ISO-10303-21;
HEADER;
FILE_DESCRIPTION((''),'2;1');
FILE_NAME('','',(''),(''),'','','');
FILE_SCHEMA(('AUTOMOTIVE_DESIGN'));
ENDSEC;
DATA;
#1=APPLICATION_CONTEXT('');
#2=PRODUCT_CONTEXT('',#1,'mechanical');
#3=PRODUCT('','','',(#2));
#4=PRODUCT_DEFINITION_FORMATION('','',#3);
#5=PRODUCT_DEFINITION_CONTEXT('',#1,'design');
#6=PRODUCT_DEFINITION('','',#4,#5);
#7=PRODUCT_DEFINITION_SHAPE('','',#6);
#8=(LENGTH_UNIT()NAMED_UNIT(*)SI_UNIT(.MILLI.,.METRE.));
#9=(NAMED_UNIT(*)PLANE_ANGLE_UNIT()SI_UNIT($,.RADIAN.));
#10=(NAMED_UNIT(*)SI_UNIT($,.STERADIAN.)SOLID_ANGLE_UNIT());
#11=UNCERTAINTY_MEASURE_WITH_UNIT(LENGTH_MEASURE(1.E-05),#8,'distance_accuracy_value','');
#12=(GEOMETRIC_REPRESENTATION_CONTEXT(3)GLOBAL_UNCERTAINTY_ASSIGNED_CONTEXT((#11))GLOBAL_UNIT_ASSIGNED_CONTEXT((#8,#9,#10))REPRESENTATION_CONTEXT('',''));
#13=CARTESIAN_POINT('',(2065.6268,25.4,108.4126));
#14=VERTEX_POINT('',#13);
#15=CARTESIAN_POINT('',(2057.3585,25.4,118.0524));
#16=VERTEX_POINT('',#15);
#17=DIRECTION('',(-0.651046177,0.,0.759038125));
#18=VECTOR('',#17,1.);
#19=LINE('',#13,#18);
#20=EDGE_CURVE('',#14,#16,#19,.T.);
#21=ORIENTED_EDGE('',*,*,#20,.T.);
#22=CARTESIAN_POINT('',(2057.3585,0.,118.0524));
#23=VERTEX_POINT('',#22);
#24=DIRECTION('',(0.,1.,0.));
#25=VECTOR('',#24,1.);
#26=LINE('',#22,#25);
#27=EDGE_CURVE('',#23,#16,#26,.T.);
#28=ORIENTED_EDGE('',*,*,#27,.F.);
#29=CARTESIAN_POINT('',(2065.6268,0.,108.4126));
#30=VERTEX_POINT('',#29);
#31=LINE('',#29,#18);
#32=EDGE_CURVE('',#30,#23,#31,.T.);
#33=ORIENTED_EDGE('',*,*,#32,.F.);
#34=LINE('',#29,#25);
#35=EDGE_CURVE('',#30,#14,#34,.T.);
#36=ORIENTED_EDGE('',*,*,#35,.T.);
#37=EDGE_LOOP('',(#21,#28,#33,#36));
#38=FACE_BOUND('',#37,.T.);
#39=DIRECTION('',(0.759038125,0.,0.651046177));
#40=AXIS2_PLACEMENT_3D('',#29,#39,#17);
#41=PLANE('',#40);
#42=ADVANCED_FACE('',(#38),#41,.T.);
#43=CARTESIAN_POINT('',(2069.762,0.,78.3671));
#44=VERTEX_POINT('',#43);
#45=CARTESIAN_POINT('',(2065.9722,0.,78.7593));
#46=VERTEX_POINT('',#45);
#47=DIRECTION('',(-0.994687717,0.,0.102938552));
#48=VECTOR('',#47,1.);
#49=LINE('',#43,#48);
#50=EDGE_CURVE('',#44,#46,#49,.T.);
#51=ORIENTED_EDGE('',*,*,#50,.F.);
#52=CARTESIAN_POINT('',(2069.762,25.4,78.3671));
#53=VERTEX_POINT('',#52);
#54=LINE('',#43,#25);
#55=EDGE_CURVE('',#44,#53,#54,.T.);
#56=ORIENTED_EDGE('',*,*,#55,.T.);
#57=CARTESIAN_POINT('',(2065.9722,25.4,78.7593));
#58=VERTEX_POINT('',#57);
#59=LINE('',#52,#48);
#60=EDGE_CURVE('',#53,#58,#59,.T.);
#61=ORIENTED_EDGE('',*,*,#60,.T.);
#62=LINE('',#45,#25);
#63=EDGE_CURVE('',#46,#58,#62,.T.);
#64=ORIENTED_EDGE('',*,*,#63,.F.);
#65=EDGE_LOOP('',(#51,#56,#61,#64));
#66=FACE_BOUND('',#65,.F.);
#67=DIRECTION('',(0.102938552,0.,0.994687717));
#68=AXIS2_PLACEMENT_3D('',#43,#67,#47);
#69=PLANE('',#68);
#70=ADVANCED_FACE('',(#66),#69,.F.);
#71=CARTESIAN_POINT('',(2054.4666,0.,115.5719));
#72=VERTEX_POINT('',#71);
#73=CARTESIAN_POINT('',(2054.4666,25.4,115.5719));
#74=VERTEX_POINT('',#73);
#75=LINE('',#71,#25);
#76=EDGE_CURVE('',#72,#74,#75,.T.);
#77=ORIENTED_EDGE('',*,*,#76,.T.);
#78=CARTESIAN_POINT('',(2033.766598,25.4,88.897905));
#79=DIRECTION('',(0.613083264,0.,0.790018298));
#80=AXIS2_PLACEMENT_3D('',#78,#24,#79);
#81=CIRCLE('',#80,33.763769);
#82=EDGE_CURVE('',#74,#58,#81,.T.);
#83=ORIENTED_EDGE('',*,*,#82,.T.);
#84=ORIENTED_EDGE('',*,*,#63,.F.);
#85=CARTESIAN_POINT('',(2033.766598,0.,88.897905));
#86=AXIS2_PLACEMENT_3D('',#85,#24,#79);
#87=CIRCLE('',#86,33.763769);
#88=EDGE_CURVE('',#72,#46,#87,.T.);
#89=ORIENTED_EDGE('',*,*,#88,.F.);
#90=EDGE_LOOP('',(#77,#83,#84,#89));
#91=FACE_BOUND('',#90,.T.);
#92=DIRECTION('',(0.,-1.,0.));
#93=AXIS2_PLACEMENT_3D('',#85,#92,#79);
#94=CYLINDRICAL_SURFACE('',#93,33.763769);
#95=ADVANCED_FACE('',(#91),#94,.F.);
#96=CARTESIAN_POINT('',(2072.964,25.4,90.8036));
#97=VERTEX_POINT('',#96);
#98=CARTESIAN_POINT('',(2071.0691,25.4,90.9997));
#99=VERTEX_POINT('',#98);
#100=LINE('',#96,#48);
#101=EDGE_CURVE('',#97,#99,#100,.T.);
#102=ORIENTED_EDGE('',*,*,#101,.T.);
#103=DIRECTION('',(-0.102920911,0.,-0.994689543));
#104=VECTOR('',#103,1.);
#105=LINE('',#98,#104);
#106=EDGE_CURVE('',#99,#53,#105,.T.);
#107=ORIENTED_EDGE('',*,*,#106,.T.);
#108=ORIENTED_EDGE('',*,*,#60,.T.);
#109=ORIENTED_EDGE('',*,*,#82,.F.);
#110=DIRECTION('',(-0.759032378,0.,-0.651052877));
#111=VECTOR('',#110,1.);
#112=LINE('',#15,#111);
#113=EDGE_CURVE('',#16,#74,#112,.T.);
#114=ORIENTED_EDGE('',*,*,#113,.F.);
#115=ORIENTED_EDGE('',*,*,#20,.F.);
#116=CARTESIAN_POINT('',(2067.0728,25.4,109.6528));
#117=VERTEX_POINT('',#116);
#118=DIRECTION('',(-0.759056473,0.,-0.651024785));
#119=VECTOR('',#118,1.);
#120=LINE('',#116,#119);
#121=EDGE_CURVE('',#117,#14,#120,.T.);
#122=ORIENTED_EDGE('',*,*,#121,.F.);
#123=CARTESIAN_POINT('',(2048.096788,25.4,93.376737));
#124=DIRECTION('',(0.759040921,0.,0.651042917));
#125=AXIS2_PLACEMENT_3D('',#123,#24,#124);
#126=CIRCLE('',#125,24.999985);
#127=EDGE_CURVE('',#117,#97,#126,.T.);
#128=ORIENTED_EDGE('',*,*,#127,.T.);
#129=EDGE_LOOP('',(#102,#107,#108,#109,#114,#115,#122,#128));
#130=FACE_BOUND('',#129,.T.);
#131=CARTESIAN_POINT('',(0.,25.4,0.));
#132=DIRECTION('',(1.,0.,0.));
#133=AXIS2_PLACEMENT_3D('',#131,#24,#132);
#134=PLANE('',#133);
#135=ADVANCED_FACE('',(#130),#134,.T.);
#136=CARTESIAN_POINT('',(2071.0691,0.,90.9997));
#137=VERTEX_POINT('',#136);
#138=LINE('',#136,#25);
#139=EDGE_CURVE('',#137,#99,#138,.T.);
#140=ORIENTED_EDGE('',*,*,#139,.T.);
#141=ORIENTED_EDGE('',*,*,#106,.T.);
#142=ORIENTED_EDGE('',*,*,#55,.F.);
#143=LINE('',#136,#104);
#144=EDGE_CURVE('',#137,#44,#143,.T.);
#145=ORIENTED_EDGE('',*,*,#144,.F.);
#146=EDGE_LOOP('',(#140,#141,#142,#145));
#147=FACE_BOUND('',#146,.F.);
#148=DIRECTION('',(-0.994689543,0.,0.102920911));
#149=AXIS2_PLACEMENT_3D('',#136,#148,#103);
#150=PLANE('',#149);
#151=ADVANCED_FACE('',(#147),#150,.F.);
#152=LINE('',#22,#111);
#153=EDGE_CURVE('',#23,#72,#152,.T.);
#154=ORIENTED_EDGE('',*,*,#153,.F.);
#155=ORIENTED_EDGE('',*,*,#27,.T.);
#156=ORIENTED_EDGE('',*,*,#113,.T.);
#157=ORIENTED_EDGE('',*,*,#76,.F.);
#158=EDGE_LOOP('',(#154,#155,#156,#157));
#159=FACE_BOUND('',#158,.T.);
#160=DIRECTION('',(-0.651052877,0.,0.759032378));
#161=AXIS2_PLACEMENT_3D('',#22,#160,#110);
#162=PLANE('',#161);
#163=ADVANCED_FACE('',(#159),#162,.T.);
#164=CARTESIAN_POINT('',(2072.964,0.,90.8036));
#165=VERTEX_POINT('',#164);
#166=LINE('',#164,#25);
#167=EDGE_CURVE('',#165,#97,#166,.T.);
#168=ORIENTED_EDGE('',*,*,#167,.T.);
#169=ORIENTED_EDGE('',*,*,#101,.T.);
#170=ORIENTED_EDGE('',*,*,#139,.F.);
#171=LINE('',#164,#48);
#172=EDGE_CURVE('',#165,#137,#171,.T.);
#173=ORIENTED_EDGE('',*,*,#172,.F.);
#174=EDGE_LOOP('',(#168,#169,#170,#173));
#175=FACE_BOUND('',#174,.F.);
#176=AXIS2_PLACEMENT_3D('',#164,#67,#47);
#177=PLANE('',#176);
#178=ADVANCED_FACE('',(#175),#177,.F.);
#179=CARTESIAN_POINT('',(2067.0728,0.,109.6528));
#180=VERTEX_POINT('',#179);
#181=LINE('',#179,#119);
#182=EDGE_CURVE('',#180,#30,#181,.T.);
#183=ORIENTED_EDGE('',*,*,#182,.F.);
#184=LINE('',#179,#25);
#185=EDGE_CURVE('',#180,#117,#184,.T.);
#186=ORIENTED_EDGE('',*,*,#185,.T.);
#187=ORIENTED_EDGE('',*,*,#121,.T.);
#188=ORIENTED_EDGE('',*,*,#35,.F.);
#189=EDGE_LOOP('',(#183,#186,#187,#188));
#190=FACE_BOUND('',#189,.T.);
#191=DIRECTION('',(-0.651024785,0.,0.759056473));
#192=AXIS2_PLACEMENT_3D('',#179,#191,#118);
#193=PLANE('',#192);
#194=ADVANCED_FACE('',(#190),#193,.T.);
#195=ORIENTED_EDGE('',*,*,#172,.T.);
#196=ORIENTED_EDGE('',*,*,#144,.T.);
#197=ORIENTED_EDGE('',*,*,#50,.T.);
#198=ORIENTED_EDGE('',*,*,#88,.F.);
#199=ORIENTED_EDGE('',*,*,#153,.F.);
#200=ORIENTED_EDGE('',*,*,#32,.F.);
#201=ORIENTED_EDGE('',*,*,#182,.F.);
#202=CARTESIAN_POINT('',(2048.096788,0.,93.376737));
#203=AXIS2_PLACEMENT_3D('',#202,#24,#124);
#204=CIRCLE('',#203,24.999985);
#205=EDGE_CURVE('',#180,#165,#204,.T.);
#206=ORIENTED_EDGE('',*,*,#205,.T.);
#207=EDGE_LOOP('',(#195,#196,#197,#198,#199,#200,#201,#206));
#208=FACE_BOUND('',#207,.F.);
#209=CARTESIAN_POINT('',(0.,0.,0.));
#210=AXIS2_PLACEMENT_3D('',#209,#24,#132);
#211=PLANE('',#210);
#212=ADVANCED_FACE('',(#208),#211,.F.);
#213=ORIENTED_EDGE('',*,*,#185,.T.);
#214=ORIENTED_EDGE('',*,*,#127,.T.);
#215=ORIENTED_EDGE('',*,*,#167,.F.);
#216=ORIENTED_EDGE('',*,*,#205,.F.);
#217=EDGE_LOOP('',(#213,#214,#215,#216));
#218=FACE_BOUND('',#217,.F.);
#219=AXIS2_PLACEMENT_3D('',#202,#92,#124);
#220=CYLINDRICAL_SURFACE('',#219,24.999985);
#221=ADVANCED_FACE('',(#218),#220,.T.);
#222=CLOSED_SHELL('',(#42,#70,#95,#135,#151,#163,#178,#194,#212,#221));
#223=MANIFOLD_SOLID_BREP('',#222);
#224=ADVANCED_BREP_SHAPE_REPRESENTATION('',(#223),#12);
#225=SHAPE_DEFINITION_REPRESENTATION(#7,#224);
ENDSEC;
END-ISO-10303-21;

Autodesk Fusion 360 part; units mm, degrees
sketch "Front Most Corner" plane through (0, 0, 0) normal (0, 1, 0) x (1, 0, 0)
  circle A0 centre (2048.0968, -93.3767) radius 25 construction
  line L0 (1842.0683, -371.981) -> (2073.5797, -102.0665)
  line L1 (2073.9927, -100.7451) -> (2060.9213, 25.5804)
  line L2 (2072.964, -90.8036) -> (2048.0968, -93.3767) construction
  line L3 (2072.964, -90.8036) -> (2071.0691, -90.9997)
  line L4 (2071.0691, -90.9997) -> (2069.762, -78.3671)
  line L5 (2069.762, -78.3671) -> (2065.9722, -78.7593)
  line L6 (2067.0728, -109.6528) -> (2065.6268, -108.4126)
  line L7 (2065.6268, -108.4126) -> (2057.3585, -118.0524)
  arc A1 (2067.0728, -109.6528) -> (2072.964, -90.8036) centre (2048.0968, -93.3767) ccw
  line L8 (2057.3585, -118.0524) -> (2054.4666, -115.5719)
  line L9 (2048.0968, -93.3767) -> (2071.9585, -100.8346) construction
  arc A2 (2054.4666, -115.5719) -> (2065.9722, -78.7593) centre (2033.7666, -88.8979) ccw
  point P0 (2065.993, -98.9701)
  dimension "d1" = 50
  dimension "d2" = 25
  dimension "d3" = 25
extrude "Extrude1" add sketch "Front Most Corner" along normal blind 25.4
